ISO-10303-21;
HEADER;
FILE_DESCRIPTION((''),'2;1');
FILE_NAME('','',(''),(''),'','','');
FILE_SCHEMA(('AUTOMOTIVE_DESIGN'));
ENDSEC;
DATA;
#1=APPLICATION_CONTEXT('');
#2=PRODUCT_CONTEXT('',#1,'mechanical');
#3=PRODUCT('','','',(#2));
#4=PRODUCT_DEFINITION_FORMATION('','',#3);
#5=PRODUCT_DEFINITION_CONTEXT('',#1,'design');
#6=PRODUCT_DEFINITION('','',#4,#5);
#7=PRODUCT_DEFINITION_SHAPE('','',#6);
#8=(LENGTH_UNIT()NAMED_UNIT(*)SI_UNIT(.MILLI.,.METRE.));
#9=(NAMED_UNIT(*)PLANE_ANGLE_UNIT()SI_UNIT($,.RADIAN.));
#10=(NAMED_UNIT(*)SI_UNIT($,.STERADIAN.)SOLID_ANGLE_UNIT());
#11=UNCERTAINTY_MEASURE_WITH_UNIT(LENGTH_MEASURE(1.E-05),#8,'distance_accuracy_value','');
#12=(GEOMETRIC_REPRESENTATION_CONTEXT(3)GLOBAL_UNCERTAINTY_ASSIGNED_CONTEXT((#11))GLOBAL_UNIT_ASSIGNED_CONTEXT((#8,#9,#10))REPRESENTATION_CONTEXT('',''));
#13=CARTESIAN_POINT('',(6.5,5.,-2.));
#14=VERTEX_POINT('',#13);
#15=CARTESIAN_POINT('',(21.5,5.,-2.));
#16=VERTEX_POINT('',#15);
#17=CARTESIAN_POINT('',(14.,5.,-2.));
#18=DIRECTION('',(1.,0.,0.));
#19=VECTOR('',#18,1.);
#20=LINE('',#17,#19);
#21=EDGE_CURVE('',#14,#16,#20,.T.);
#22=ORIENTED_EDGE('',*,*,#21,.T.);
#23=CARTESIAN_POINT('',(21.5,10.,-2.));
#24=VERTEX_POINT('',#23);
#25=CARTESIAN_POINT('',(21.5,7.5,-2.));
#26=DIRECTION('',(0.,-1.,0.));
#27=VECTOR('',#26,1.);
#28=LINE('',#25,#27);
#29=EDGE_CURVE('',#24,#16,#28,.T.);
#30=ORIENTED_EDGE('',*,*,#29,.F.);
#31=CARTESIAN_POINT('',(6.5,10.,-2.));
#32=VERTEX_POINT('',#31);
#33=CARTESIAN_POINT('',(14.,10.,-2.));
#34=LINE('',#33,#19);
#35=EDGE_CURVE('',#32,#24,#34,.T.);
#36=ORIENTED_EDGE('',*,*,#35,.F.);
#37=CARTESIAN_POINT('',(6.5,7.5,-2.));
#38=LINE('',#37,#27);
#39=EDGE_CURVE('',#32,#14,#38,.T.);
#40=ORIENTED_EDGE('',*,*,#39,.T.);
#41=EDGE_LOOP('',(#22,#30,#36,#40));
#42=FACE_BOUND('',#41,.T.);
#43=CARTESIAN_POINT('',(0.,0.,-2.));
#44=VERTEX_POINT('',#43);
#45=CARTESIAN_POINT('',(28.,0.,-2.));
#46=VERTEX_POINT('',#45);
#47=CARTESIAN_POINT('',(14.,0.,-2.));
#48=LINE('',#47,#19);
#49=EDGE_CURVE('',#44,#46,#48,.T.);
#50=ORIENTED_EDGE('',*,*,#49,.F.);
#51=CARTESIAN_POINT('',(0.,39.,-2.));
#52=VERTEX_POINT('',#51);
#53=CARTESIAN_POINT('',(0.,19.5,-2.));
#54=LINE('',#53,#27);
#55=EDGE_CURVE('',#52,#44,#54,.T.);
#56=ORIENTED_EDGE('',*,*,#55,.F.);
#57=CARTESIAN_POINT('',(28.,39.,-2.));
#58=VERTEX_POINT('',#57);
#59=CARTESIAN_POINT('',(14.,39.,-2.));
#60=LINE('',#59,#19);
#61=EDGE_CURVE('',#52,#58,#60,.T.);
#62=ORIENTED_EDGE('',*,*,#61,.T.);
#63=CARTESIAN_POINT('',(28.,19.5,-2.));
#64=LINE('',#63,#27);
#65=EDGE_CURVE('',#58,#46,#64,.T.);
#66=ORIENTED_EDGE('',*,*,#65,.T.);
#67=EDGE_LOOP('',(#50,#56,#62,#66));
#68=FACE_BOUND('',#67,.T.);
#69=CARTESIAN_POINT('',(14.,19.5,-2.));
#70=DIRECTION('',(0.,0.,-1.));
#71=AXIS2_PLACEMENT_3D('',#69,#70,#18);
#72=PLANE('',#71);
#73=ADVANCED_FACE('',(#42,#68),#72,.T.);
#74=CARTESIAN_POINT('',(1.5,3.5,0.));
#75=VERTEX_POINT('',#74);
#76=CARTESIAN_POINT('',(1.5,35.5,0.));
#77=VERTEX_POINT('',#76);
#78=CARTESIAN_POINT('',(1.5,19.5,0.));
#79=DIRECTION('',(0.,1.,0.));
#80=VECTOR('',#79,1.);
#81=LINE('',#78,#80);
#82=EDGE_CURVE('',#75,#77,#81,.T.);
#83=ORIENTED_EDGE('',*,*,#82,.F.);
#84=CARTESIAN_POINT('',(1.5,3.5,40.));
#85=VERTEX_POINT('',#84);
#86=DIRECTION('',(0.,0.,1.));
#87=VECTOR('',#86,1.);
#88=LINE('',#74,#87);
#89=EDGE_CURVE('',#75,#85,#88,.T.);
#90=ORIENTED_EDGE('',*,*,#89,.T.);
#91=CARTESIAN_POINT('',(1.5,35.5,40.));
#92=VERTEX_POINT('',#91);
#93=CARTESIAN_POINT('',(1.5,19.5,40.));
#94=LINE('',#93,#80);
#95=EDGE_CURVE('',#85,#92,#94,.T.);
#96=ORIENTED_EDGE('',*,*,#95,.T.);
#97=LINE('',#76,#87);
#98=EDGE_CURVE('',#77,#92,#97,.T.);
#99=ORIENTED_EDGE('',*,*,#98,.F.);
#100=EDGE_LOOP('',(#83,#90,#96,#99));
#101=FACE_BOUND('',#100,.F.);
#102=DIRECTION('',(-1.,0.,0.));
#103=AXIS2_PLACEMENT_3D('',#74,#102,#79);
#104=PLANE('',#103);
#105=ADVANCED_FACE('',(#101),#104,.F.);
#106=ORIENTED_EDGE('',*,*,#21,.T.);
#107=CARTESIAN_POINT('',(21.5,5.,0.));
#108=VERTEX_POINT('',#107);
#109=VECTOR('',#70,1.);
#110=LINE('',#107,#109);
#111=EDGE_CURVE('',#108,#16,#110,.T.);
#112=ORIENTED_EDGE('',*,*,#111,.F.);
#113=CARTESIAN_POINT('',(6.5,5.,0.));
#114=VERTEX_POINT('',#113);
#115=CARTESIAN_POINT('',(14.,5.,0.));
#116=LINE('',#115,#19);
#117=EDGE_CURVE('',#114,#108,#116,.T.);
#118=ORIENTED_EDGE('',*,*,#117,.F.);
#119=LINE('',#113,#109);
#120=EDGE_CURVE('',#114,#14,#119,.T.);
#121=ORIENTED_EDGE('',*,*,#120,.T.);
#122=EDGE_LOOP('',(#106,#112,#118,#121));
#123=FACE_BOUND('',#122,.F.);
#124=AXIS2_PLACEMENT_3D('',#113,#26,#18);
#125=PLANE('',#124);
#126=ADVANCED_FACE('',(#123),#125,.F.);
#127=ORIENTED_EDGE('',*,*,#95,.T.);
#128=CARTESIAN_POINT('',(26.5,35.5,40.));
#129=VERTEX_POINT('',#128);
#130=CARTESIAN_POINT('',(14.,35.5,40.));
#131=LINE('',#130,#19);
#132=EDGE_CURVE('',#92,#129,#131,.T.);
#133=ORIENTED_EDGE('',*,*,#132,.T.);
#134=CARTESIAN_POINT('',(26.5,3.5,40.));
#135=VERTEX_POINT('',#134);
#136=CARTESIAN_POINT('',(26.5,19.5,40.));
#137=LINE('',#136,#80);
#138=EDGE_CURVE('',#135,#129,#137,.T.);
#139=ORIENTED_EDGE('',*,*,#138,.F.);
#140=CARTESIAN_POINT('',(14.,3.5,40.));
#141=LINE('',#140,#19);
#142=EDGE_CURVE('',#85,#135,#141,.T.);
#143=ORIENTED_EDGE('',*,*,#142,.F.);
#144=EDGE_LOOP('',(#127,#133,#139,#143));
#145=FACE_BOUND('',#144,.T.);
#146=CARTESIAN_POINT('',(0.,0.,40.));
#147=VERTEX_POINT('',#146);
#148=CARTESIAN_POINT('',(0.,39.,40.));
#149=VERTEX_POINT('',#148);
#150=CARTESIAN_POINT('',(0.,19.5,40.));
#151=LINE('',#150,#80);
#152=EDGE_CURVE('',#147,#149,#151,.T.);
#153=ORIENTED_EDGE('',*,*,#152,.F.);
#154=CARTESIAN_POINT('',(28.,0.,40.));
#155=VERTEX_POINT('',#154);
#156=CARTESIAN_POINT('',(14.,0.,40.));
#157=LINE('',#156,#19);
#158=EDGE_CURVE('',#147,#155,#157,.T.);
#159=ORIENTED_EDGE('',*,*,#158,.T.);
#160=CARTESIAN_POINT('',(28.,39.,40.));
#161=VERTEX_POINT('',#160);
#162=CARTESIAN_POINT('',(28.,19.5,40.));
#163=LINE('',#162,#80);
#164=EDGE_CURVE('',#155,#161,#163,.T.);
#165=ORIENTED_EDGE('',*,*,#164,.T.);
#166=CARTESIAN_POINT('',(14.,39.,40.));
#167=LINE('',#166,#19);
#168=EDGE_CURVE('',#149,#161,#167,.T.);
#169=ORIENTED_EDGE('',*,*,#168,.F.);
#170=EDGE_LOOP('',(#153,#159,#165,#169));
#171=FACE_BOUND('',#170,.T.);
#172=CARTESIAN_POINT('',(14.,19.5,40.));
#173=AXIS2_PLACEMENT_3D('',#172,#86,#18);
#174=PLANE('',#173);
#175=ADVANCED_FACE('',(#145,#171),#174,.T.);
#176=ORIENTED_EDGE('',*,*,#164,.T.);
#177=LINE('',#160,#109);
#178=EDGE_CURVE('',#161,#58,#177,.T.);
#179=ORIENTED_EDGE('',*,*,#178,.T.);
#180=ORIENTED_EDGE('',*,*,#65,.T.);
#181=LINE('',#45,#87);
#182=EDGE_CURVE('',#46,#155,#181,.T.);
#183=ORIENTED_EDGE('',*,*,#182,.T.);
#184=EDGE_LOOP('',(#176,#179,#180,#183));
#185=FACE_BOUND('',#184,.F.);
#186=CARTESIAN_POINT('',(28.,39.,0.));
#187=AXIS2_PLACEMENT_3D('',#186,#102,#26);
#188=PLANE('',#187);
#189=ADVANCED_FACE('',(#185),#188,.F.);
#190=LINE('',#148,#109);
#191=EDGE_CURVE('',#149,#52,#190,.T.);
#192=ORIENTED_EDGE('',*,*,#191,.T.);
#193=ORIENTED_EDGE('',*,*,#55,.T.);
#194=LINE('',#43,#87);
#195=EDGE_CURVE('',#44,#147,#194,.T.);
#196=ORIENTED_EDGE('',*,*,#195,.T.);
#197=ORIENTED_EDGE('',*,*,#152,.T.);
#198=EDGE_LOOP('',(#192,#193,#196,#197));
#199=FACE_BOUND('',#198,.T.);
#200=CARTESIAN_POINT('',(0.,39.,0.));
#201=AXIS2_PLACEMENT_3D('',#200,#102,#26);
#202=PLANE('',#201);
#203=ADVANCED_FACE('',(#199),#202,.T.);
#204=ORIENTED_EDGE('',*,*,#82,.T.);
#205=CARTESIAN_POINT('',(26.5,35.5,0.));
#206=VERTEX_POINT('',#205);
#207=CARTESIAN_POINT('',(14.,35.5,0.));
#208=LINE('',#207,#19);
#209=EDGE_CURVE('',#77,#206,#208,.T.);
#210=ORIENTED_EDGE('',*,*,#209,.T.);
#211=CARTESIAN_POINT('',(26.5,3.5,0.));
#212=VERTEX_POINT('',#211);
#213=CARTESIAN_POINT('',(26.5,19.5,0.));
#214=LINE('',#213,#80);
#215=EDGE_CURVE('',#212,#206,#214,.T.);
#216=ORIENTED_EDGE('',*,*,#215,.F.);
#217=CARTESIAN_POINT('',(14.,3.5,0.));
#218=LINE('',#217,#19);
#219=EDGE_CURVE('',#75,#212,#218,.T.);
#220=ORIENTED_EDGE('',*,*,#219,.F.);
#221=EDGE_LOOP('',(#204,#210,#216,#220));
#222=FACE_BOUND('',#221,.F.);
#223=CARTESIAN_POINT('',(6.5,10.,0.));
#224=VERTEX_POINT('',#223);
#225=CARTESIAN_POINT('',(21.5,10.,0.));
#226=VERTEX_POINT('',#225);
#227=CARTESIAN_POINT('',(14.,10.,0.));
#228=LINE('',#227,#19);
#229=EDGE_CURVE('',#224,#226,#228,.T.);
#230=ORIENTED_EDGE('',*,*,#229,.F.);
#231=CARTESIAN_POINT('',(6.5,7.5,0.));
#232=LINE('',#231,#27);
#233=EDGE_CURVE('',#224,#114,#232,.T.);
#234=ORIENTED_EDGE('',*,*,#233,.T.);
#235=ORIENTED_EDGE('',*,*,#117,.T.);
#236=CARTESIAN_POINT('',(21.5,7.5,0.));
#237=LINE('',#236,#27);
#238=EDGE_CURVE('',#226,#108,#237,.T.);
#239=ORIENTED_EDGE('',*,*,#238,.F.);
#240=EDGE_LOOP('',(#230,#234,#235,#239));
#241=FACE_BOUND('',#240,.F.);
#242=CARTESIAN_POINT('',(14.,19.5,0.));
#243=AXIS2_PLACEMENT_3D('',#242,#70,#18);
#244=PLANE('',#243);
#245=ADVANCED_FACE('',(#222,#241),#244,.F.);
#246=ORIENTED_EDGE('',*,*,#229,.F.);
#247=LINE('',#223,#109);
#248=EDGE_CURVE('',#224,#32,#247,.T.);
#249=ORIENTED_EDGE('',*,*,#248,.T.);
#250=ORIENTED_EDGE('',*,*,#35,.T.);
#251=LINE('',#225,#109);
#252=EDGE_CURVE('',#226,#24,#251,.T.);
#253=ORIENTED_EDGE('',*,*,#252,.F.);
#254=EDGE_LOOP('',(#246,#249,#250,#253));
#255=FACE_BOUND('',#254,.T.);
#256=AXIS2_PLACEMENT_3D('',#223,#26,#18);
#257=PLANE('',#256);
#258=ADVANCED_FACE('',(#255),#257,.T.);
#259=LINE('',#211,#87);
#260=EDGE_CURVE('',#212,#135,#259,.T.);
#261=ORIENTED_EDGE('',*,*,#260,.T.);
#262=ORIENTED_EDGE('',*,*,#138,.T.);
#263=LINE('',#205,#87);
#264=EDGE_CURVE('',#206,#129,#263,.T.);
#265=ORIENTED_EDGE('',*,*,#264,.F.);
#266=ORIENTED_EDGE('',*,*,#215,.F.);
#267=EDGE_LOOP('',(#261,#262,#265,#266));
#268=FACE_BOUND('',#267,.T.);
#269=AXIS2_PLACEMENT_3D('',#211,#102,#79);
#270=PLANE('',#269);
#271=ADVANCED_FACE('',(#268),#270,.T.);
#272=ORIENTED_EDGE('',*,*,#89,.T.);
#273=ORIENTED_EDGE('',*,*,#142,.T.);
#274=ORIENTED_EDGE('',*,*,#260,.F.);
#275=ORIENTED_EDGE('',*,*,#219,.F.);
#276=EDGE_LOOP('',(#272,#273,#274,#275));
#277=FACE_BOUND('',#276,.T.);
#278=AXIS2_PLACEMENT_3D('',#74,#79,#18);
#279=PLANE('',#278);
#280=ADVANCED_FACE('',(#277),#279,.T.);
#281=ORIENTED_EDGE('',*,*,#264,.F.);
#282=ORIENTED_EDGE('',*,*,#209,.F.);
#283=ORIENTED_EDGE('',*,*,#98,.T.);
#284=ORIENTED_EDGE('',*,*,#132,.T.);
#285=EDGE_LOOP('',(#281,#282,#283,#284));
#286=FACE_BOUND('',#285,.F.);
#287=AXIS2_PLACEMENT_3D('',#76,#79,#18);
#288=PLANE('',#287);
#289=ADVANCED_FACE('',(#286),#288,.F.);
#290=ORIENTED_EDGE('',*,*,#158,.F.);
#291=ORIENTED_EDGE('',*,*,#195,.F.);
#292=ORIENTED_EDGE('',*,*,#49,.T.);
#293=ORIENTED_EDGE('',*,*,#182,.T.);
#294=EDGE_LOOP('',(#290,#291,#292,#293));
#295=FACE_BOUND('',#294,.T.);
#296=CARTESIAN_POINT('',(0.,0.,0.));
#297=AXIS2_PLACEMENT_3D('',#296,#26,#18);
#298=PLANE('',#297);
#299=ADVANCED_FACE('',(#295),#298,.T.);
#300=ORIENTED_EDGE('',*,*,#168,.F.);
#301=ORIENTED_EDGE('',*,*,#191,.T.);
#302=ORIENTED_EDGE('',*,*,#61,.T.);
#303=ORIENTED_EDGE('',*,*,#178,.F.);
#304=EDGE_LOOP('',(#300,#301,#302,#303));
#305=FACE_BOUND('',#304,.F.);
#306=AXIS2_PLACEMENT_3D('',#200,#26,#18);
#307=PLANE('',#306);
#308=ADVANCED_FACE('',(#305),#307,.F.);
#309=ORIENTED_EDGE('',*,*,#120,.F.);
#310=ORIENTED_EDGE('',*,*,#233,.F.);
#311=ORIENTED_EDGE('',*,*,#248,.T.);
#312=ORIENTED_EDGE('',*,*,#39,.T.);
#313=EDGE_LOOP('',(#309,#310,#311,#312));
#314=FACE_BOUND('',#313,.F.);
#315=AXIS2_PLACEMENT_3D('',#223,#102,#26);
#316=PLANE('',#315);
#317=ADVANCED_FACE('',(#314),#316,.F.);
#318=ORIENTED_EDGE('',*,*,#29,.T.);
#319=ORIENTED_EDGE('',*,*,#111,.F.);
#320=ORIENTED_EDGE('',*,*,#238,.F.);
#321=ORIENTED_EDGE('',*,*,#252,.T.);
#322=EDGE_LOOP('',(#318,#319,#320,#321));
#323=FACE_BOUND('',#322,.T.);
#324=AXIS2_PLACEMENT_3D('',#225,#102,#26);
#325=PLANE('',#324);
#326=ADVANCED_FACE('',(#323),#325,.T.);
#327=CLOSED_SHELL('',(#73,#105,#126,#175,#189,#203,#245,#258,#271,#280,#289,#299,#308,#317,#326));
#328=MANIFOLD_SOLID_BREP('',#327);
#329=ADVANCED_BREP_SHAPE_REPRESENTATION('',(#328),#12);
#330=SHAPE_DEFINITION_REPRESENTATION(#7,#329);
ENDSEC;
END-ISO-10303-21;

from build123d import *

# Parameters (mm, degrees)
SKETCH_W      = 28
SKETCH_H      = 39
SKETCH_W_2    = 25
SKETCH_H_2    = 32
PAD_DEPTH     = 40
SKETCH001_W   = 28
SKETCH001_H   = 39
SKETCH001_W_2 = 15
SKETCH001_H_2 = 5
PAD001_DEPTH  = 2


with BuildPart() as part:
    # Sketch → Pad (new body)
    with BuildSketch(Plane.XY):
        with Locations((14, 19.5)):
            Rectangle(SKETCH_W, SKETCH_H)
        with Locations((14, 19.5)):
            Rectangle(SKETCH_W_2, SKETCH_H_2, mode=Mode.SUBTRACT)
    extrude(amount=PAD_DEPTH)

    # Sketch001 (on Face9 of Pad) → Pad001 (join)
    with BuildSketch(Plane(origin=(0, 0, 0), x_dir=(1, 0, 0), z_dir=(0, 0, -1))):
        with Locations((14, -19.5)):
            Rectangle(SKETCH001_W, SKETCH001_H)
        with Locations((14, -7.5)):
            Rectangle(SKETCH001_W_2, SKETCH001_H_2, mode=Mode.SUBTRACT)
    extrude(amount=PAD001_DEPTH)


solid = part.part
